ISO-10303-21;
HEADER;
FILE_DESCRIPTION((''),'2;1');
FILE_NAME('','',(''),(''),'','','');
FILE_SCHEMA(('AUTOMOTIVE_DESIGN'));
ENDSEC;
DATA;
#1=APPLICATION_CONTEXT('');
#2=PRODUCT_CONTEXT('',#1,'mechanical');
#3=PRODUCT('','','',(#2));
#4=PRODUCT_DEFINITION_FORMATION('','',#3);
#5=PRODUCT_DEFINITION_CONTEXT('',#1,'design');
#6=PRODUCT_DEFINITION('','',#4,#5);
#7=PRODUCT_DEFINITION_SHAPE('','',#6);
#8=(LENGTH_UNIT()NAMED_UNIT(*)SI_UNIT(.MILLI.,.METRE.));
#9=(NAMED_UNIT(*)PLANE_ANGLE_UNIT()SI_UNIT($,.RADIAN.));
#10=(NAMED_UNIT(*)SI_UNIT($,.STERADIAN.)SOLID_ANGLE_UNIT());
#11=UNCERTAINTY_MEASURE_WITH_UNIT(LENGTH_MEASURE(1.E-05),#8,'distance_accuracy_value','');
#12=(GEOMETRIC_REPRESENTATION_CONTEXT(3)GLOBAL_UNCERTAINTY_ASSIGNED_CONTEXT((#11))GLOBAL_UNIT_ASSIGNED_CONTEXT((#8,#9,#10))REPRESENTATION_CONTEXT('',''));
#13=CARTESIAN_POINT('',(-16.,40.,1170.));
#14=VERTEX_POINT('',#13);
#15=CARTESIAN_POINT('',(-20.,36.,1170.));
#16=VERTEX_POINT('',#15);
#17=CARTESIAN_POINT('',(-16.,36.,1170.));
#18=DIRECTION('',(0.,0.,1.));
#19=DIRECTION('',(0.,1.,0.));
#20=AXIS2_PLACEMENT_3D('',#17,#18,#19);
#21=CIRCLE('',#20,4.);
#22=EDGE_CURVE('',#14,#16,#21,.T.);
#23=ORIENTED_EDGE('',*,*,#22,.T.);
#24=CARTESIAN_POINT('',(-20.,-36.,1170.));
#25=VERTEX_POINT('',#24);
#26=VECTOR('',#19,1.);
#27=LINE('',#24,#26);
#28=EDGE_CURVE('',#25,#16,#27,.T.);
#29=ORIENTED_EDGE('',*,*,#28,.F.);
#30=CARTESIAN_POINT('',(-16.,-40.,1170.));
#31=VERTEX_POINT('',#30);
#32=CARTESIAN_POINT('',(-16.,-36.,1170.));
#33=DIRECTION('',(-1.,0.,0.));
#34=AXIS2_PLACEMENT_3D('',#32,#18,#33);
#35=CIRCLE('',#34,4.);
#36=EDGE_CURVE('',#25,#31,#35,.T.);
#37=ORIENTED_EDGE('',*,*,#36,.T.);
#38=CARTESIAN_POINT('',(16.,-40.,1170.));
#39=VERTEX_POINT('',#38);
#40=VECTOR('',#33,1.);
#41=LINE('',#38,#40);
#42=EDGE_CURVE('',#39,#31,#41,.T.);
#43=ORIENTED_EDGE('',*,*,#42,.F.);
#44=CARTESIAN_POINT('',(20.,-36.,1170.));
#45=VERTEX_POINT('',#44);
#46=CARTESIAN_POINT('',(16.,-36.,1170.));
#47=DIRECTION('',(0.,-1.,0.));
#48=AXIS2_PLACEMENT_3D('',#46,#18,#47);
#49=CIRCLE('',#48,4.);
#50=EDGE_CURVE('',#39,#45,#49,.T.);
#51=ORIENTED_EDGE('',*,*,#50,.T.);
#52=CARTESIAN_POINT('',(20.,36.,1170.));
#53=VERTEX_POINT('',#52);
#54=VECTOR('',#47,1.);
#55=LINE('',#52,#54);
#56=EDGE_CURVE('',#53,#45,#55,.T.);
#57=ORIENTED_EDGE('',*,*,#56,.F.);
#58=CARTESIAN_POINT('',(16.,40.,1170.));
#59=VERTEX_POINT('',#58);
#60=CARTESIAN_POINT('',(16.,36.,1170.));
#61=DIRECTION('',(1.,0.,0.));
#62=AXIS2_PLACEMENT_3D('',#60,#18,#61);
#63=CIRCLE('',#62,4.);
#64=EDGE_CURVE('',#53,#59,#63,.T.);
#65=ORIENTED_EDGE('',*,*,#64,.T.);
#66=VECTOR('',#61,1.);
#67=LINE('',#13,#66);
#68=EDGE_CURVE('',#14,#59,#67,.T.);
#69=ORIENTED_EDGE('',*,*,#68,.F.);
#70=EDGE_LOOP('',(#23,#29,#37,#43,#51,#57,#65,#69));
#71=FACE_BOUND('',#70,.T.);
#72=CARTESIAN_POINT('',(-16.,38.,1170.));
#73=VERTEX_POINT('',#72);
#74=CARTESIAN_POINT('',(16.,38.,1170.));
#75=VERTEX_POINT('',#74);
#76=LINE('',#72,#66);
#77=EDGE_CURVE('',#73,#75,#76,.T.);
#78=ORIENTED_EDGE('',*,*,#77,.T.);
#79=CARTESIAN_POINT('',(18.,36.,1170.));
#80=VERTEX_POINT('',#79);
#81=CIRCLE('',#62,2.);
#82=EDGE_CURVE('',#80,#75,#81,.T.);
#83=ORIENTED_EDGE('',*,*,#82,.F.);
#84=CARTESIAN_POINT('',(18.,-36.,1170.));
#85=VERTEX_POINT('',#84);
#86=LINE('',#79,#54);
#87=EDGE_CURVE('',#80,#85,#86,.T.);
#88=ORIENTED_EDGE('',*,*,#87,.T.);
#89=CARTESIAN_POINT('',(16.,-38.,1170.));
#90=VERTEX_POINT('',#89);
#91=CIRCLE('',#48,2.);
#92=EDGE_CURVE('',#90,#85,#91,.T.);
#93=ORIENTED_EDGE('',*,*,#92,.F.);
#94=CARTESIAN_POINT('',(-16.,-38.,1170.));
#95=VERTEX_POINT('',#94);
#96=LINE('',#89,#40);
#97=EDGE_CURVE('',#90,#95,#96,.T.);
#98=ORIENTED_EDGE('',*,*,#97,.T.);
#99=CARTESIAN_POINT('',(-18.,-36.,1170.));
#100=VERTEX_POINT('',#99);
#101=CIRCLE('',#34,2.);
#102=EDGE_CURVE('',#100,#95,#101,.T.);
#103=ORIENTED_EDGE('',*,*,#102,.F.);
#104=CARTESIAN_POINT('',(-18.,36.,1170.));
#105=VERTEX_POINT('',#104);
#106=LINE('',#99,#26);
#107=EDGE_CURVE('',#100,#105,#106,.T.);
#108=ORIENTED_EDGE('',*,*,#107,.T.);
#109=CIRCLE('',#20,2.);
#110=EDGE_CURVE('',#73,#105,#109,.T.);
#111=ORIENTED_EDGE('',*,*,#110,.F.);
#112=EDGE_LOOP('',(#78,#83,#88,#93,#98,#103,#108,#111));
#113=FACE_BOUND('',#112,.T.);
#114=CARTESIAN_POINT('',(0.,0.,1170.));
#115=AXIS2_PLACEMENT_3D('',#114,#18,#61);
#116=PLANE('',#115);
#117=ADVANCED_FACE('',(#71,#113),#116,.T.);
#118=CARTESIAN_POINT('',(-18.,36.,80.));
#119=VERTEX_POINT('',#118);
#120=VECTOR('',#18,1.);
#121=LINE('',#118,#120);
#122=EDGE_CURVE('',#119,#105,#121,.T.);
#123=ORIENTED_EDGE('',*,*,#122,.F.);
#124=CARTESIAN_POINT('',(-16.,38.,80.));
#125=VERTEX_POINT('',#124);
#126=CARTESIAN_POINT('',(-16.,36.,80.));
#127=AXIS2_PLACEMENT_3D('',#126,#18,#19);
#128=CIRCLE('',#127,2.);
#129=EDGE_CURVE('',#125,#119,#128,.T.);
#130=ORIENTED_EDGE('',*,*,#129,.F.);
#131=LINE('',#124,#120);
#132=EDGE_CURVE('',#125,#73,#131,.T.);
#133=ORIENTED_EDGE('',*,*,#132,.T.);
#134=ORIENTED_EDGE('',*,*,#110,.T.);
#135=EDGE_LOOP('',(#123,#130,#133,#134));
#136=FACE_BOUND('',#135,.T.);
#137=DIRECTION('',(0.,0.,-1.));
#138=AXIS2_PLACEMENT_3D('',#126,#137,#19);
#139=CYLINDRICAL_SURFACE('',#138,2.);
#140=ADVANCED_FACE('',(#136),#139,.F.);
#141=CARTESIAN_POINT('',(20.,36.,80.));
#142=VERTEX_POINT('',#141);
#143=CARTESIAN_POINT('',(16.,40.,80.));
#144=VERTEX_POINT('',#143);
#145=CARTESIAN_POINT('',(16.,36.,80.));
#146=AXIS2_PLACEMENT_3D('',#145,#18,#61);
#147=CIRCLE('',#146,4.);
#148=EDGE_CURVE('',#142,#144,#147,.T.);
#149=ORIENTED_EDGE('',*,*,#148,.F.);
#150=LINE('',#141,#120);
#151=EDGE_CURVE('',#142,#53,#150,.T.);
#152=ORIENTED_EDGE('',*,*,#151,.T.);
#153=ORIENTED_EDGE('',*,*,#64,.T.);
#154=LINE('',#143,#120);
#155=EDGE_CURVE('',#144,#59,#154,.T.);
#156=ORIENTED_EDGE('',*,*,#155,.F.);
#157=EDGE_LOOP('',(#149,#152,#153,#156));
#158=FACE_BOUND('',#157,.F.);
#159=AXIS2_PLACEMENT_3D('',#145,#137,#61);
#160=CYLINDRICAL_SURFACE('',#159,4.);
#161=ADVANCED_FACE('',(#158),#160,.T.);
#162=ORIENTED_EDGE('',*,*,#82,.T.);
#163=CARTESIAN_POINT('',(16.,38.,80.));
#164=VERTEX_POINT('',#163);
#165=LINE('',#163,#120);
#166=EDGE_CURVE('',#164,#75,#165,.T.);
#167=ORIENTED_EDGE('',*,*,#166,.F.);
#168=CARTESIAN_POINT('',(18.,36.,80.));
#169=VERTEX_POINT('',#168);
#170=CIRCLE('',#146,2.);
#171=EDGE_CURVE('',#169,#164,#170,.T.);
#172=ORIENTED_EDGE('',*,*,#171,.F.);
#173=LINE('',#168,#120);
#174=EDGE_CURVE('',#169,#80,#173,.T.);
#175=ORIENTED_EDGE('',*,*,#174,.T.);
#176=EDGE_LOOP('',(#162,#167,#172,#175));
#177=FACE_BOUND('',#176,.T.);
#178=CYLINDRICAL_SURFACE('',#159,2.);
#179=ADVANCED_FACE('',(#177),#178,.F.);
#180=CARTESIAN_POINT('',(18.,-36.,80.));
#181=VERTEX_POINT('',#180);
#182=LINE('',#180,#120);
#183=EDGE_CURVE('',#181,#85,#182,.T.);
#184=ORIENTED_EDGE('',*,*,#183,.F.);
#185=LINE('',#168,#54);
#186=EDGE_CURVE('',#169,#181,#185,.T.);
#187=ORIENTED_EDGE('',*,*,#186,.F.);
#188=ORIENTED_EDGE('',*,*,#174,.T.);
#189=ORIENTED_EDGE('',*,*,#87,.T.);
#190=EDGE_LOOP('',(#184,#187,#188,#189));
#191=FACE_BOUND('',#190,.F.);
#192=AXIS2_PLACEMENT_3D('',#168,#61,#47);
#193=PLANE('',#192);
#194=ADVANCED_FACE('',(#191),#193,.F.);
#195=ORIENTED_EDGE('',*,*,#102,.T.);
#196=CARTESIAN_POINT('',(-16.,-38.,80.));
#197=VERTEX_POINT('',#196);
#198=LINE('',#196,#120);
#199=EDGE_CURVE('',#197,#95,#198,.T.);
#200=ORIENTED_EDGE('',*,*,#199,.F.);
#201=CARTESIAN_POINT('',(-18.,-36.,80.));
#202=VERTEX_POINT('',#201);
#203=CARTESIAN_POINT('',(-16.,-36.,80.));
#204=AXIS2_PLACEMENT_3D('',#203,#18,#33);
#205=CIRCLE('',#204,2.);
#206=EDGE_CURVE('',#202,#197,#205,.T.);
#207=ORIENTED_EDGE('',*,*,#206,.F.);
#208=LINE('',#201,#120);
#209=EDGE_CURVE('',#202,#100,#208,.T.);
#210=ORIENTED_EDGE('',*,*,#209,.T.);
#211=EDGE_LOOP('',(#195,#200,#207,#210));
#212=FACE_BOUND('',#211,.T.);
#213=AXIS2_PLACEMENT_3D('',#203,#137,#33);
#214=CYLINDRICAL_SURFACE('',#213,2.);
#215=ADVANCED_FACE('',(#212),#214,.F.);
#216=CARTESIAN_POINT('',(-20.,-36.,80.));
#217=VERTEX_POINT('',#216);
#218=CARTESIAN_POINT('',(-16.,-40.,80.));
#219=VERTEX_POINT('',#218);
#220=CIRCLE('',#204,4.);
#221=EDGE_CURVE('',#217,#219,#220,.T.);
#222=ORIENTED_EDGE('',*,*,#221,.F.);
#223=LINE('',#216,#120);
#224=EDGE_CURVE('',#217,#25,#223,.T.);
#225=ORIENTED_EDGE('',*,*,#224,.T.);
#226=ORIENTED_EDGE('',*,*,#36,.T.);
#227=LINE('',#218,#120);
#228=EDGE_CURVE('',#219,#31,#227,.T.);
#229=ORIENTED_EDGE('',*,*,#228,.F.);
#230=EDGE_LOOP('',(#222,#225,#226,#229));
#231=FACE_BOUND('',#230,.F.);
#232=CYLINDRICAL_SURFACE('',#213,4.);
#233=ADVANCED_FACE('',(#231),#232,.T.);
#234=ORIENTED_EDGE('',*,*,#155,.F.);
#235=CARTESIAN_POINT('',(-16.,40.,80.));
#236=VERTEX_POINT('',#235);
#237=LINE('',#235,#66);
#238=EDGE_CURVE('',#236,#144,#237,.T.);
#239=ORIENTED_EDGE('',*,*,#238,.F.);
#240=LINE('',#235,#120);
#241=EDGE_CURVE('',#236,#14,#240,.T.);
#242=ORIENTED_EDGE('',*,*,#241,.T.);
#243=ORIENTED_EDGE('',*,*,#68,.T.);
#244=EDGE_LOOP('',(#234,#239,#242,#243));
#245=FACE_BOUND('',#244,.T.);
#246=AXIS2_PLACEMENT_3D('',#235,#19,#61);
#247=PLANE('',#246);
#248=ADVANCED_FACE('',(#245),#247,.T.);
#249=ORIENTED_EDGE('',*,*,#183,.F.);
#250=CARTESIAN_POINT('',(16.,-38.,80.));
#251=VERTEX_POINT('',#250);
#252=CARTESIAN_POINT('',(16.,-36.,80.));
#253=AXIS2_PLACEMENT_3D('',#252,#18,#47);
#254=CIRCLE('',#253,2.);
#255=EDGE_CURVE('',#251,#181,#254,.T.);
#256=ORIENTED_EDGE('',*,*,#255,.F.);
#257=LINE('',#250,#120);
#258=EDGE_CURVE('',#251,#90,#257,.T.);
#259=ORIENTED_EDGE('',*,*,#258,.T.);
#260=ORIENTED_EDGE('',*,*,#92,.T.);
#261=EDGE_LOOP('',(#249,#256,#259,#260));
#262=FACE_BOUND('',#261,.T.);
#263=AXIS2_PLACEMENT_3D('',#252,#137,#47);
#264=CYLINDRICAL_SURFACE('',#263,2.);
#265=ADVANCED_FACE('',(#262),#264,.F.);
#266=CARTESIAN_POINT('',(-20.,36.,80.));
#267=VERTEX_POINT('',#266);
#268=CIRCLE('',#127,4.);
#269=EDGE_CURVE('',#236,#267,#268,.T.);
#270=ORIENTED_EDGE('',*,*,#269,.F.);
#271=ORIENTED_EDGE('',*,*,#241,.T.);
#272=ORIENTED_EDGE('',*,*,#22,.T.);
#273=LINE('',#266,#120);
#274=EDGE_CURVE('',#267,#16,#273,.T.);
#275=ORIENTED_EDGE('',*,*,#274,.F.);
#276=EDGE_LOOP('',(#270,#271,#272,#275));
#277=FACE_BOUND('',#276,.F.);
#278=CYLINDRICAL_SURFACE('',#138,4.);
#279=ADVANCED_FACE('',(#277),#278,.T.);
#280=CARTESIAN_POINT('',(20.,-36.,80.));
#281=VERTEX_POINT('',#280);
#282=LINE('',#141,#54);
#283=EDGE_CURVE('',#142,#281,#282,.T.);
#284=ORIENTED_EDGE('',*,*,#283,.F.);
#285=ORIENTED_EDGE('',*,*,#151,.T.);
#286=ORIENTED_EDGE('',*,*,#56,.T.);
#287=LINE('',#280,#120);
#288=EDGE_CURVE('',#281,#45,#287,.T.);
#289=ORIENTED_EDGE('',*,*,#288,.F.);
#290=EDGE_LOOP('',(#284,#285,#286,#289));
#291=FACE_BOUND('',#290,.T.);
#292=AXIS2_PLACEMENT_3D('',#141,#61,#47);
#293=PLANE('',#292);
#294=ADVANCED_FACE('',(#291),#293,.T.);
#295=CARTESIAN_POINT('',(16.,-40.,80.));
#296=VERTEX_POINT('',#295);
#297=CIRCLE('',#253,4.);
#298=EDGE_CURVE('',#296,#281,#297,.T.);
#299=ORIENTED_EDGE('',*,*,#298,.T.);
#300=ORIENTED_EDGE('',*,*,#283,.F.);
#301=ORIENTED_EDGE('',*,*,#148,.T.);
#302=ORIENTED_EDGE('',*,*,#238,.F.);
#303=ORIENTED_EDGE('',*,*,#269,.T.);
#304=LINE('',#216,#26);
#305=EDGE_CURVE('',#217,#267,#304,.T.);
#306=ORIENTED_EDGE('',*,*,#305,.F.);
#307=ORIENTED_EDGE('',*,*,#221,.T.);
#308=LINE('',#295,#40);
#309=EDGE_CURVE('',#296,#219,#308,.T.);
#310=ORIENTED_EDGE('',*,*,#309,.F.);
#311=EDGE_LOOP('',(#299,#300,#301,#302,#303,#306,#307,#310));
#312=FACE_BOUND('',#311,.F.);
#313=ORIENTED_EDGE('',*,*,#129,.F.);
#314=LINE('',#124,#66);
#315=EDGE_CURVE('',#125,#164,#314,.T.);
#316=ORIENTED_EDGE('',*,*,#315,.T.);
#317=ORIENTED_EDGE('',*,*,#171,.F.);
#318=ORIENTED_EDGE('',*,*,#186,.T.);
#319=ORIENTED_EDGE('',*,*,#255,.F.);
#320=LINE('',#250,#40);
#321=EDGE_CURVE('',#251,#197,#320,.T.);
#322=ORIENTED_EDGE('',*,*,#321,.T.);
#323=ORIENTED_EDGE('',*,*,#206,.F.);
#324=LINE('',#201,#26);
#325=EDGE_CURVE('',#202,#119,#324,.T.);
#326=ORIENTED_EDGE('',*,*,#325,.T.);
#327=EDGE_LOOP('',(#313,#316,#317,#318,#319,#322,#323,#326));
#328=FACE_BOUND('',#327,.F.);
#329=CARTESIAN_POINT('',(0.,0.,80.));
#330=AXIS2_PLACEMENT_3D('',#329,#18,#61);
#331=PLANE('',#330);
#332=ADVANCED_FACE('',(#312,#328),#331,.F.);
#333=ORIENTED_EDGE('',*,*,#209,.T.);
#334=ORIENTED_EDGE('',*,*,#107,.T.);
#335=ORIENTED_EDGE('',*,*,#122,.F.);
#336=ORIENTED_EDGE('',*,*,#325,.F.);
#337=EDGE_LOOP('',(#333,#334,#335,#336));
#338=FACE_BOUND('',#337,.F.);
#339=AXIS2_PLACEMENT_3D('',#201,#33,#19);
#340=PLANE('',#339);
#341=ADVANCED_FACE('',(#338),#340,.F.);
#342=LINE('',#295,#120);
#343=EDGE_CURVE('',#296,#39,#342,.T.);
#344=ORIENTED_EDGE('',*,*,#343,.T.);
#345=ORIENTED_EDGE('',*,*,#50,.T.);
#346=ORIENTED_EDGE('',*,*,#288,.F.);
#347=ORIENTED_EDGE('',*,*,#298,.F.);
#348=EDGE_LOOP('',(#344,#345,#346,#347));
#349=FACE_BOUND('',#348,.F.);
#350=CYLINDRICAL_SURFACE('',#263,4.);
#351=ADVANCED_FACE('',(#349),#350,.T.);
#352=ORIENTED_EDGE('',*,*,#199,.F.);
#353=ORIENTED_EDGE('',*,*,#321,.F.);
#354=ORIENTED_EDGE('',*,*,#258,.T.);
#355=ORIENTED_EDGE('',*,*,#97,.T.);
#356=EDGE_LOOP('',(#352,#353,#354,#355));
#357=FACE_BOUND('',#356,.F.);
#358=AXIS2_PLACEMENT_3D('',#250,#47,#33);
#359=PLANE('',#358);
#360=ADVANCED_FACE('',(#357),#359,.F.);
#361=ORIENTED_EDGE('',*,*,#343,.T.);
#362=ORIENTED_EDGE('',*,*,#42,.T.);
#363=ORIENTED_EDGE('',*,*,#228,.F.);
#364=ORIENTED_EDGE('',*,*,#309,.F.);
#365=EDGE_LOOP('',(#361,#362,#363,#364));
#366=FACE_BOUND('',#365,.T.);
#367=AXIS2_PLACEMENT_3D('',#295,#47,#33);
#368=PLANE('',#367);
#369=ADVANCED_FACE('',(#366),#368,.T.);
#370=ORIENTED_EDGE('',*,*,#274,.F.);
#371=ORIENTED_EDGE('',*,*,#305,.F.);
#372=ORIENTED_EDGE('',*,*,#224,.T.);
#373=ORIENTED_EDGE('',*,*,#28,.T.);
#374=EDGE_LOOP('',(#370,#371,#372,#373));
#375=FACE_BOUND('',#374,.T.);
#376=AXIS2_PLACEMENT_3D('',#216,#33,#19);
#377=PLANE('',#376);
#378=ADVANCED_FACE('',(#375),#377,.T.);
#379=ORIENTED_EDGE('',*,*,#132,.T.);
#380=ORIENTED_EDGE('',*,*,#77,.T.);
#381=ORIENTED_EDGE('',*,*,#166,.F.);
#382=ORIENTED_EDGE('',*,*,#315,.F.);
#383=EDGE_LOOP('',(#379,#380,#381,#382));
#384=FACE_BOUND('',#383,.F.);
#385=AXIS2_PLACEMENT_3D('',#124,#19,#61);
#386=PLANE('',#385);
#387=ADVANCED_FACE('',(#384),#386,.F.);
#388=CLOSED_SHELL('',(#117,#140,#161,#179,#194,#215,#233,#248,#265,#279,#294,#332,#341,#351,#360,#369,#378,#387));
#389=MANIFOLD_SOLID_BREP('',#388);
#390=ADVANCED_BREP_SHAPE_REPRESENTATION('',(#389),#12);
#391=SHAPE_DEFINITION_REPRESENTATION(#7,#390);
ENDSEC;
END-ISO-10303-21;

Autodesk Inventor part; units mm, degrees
ref_plane "YZ Plane" through (0, 0, 0) normal (1, 0, 0) x (0, 1, 0)
ref_plane "Start Plane" through (0, 0, 80) normal (0, 0, 1) x (1, 0, 0)
ref_plane "End Plane" through (0, 0, 1170) normal (0, 0, 1) x (1, 0, 0)
sketch "Sketch" plane through (0, 0, 0) normal (0, 0, 1) x (1, 0, 0)
  line L0 (-20, -36) -> (-20, 36)
  line L1 (-16, 40) -> (16, 40)
  line L2 (20, 36) -> (20, -36)
  line L3 (16, -40) -> (-16, -40)
  arc A0 (-20, -36) -> (-16, -40) centre (-16, -36) ccw
  arc A1 (20, 36) -> (16, 40) centre (16, 36) ccw
  arc A2 (-16, 40) -> (-20, 36) centre (-16, 36) ccw
  arc A3 (16, -40) -> (20, -36) centre (16, -36) ccw
  arc A4 (-16, 38) -> (-18, 36) centre (-16, 36) ccw
  line L4 (-16, 38) -> (16, 38)
  arc A5 (18, 36) -> (16, 38) centre (16, 36) ccw
  line L5 (18, 36) -> (18, -36)
  arc A6 (16, -38) -> (18, -36) centre (16, -36) ccw
  line L6 (16, -38) -> (-16, -38)
  arc A7 (-18, -36) -> (-16, -38) centre (-16, -36) ccw
  line L7 (-18, -36) -> (-18, 36)
  line L8 (0, 57.1598) -> (0, -57.1598) construction
  line L9 (-29.1598, 0) -> (29.1598, 0) construction
  dimension "d7" = 4
  dimension "d9" = 40
  dimension "d11" = 80
  dimension "d12" = 2
  dimension "d15" = 20
  dimension "d16" = 40
extrude "Body" add sketch "Sketch" along normal up to surface (1090 mm away) from surface at 80
sketch "Sketch3" plane through (0, 0, 0) normal (0, 0, 1) x (1, 0, 0)
  line L0 (0, 0) -> (10, 0)
ref_plane "Work Plane3" through (0, 0, 0) normal (0, -1, 0) x (1, 0, 0)
sketch "Sketch4" plane through (0, 0, 0) normal (0, -1, 0) x (1, 0, 0)
  line L0 (-2, 80) -> (12, 80) projected
  line L1 (-2, 1170) -> (12, 1170) projected
  dimension "d18" = 1090
equation "\"d7\" = G_IR"
equation "\"d9\" = G_W"
equation "\"d11\" = G_H"
equation "\"d12\" = G_T"
equation "\"d15\" = 0.5 * d9"
equation "\"d16\" = 0.5 * d11"
equation "\"d3\" = G_L"
equation "\"G_W\" = 40"
equation "\"G_H\" = 80"
equation "\"G_T\" = 2"
equation "\"G_IR\" = 4"
equation "\"G_L\" = d18"
properties part number "ISO 4019 - 80x40x2 - 1090" material "Steel, Mild"
